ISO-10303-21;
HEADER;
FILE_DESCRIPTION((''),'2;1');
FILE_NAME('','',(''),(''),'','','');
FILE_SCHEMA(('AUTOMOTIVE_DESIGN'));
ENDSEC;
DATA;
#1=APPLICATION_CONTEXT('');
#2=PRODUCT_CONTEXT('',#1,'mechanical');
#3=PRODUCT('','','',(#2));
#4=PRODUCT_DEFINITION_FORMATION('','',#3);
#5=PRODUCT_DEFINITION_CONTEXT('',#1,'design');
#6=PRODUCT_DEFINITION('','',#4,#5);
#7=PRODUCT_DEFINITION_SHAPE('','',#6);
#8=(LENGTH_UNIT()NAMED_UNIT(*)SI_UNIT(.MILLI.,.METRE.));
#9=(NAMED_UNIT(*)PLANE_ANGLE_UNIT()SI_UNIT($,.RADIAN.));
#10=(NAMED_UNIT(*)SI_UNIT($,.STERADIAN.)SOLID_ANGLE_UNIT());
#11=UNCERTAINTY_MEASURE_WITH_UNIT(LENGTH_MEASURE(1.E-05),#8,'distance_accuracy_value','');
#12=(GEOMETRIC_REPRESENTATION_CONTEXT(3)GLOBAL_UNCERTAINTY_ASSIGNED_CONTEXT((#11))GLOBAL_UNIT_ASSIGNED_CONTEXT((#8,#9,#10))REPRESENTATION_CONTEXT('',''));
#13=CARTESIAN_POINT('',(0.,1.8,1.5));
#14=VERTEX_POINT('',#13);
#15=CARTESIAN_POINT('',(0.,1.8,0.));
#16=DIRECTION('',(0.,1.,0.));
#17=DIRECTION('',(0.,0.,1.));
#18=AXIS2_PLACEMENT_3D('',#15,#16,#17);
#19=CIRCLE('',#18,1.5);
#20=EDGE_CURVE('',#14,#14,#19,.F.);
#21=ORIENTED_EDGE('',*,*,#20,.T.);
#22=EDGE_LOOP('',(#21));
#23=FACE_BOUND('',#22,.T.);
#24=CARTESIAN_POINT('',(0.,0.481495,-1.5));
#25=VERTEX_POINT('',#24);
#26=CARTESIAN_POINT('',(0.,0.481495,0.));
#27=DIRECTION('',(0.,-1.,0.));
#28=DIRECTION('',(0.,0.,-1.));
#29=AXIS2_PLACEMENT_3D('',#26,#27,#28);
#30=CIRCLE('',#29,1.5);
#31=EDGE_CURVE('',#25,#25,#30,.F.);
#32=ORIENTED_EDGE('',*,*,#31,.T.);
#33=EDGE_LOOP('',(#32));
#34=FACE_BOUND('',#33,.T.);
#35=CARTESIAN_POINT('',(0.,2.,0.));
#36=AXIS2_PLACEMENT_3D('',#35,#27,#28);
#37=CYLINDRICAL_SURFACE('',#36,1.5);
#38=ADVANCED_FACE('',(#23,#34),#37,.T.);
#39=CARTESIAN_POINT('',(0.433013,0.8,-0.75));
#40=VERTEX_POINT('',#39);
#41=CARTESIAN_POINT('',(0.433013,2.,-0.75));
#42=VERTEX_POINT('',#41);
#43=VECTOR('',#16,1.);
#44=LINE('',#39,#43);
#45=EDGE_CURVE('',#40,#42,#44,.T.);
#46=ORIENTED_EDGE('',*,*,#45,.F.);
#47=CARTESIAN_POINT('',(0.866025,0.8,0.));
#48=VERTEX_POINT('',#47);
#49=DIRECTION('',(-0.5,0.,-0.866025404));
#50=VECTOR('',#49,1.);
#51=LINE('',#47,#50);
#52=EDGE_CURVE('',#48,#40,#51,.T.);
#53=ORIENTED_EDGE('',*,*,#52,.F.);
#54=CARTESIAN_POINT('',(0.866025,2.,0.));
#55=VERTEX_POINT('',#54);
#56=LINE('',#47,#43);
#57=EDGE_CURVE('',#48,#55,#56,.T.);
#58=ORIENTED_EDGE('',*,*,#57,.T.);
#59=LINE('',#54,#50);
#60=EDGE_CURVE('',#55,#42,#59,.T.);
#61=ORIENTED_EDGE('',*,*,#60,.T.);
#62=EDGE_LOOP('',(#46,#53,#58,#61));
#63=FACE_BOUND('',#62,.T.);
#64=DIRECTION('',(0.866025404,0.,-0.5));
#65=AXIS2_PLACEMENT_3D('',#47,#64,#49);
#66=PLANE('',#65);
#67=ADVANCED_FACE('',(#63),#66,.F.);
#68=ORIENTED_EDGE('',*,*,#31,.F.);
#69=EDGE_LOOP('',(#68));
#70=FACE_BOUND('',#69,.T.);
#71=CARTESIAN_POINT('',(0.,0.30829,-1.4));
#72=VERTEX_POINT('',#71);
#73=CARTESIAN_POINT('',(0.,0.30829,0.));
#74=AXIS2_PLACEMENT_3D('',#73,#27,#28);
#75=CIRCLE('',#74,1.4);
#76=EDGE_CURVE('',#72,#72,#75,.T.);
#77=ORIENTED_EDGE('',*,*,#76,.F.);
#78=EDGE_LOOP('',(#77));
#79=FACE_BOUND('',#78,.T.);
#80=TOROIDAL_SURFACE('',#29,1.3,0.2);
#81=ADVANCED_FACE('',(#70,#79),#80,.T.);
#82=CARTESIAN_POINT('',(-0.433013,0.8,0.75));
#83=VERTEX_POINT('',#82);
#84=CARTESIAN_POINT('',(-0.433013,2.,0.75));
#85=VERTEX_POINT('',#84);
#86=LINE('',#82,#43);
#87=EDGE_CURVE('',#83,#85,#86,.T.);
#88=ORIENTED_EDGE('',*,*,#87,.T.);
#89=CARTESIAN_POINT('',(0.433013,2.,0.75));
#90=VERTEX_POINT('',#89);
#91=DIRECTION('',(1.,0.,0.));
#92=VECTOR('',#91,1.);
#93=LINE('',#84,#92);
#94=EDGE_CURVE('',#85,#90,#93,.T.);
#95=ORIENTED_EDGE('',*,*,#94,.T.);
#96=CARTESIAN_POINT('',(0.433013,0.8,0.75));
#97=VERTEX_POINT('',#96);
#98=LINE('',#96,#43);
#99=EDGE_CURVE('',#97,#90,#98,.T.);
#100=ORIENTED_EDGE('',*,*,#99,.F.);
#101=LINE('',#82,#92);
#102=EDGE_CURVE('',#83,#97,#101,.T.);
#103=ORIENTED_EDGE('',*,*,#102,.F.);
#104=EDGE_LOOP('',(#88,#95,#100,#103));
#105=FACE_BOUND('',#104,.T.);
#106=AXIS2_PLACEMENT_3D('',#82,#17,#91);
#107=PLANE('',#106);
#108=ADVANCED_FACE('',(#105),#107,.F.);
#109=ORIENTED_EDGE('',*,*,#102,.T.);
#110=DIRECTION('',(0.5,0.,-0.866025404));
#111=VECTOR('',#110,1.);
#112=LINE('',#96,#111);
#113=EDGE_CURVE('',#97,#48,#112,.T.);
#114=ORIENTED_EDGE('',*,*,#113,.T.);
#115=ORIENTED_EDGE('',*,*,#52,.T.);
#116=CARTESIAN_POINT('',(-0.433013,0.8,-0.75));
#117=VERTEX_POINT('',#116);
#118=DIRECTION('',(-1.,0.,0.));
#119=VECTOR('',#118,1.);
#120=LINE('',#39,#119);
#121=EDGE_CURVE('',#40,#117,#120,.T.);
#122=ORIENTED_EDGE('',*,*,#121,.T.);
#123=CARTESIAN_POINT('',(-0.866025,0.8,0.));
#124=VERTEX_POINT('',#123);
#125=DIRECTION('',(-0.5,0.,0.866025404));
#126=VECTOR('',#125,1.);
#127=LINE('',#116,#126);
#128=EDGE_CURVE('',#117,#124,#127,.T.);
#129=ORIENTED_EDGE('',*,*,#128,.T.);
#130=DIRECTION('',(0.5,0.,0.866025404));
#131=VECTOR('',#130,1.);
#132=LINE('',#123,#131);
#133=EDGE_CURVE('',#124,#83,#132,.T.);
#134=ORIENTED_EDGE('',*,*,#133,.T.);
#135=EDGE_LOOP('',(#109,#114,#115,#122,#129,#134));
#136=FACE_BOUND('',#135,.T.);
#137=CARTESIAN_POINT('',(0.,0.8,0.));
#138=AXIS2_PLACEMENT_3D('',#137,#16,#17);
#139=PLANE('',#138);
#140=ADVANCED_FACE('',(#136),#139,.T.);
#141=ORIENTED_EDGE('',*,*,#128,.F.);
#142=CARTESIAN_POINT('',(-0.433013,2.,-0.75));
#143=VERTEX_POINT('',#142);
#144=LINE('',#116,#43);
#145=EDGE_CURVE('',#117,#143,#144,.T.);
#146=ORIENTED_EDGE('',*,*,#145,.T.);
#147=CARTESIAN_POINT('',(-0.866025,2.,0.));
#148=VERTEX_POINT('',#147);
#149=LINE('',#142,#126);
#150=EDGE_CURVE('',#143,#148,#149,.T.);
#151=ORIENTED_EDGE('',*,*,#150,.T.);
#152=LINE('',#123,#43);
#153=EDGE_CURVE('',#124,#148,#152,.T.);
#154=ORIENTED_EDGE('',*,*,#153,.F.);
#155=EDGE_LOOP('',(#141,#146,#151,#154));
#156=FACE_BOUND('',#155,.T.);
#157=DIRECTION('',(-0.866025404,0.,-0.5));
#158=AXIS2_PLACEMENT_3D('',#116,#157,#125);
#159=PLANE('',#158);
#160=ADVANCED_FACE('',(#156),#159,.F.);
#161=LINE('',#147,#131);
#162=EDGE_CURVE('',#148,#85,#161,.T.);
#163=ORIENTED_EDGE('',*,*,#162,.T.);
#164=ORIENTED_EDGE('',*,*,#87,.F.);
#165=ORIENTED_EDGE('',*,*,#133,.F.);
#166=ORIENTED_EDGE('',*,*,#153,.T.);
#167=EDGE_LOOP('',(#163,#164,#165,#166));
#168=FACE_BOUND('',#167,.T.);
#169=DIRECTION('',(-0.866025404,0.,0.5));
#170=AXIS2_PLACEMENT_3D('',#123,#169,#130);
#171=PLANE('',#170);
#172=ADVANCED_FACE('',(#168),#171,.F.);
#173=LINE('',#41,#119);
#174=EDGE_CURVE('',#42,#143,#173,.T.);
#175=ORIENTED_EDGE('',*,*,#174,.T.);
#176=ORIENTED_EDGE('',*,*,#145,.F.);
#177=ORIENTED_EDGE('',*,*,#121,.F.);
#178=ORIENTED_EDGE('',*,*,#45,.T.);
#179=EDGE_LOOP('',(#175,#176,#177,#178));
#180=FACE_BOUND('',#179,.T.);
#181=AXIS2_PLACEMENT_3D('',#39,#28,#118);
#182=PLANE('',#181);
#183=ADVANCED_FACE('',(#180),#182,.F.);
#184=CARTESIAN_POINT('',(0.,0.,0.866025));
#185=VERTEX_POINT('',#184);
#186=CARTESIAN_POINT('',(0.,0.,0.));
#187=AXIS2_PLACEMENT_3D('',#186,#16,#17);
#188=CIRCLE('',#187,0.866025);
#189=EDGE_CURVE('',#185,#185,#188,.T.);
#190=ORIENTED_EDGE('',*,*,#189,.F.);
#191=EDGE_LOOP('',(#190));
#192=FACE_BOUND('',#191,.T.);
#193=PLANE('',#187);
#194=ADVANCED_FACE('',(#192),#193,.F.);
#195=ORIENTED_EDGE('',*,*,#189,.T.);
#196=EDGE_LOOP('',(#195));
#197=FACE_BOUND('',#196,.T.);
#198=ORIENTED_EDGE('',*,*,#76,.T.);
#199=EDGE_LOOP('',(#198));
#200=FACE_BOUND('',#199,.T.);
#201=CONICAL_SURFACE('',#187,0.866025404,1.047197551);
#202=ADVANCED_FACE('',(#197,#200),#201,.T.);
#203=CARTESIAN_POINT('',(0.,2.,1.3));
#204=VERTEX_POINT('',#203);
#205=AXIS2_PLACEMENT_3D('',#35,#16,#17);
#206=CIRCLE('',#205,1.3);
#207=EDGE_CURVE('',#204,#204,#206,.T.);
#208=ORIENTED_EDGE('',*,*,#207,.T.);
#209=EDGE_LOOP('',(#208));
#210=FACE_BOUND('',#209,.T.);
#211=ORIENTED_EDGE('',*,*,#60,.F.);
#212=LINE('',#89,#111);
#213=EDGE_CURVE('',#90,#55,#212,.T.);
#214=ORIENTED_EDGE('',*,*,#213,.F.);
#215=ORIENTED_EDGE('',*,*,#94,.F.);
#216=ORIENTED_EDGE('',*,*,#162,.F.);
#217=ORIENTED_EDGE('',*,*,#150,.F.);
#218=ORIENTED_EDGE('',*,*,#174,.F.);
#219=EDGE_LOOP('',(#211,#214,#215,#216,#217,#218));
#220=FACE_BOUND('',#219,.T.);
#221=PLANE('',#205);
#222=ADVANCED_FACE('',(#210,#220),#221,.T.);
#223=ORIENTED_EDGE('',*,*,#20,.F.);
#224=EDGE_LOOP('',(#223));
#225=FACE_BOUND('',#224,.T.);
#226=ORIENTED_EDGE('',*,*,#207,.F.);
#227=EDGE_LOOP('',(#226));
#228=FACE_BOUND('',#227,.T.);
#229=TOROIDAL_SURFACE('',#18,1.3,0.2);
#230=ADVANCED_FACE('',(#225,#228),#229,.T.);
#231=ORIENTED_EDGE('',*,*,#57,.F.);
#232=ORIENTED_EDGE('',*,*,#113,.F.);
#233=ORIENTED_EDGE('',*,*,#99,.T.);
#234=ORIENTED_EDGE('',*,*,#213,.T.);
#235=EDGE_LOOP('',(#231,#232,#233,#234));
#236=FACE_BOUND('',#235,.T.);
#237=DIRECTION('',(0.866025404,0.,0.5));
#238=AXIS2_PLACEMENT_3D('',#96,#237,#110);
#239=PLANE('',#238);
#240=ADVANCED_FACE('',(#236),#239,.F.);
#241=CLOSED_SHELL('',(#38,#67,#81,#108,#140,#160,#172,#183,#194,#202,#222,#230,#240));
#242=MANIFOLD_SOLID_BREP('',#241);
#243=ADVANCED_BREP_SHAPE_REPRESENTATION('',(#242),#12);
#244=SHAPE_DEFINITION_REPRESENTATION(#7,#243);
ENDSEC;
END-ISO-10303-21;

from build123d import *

# Parameters (mm, degrees)
SKETCH_1_R            = 1.5
EXTRUDE_254_DEPTH     = 2
CUT_EXTRUDE_388_DEPTH = 1.2
FILLET_1_R            = 0.2


with BuildPart() as part:
    # 草图1 → Extrude 254 (new body)
    with BuildSketch(Plane(origin=(0, 0, 0), x_dir=(1, 0, 0), z_dir=(0, 1, 0))):
        Circle(SKETCH_1_R)
    extrude(amount=EXTRUDE_254_DEPTH)

    # 草图2 → Cut-Extrude 388 (cut)
    with BuildSketch(Plane(origin=(0, 2, 0), x_dir=(1, 0, 0), z_dir=(0, 1, 0))):
        Polygon((0.866025404, 0), (0.433012702, 0.75), (-0.433012702, 0.75), (-0.866025404, 0), (-0.433012702, -0.75), (0.433012702, -0.75), align=None)
    extrude(amount=-CUT_EXTRUDE_388_DEPTH, mode=Mode.SUBTRACT)

    # 草图3 → 切除-旋转4 (revolve, cut)
    with BuildSketch(Plane.XY):
        Polygon((0.866025404, 0), (1.5, 0.366025404), (1.5, 0), align=None)
    revolve(axis=Axis((0, 2, 0), (0, -1, 0)), mode=Mode.SUBTRACT)

    # 圆角1
    fillet_1_edges = [part.edges().sort_by_distance(p)[0] for p in [
        (-1.5, 0.366025404, 0),
        (-1.5, 2, 0),
    ]]
    fillet(fillet_1_edges, radius=FILLET_1_R)


solid = part.part
